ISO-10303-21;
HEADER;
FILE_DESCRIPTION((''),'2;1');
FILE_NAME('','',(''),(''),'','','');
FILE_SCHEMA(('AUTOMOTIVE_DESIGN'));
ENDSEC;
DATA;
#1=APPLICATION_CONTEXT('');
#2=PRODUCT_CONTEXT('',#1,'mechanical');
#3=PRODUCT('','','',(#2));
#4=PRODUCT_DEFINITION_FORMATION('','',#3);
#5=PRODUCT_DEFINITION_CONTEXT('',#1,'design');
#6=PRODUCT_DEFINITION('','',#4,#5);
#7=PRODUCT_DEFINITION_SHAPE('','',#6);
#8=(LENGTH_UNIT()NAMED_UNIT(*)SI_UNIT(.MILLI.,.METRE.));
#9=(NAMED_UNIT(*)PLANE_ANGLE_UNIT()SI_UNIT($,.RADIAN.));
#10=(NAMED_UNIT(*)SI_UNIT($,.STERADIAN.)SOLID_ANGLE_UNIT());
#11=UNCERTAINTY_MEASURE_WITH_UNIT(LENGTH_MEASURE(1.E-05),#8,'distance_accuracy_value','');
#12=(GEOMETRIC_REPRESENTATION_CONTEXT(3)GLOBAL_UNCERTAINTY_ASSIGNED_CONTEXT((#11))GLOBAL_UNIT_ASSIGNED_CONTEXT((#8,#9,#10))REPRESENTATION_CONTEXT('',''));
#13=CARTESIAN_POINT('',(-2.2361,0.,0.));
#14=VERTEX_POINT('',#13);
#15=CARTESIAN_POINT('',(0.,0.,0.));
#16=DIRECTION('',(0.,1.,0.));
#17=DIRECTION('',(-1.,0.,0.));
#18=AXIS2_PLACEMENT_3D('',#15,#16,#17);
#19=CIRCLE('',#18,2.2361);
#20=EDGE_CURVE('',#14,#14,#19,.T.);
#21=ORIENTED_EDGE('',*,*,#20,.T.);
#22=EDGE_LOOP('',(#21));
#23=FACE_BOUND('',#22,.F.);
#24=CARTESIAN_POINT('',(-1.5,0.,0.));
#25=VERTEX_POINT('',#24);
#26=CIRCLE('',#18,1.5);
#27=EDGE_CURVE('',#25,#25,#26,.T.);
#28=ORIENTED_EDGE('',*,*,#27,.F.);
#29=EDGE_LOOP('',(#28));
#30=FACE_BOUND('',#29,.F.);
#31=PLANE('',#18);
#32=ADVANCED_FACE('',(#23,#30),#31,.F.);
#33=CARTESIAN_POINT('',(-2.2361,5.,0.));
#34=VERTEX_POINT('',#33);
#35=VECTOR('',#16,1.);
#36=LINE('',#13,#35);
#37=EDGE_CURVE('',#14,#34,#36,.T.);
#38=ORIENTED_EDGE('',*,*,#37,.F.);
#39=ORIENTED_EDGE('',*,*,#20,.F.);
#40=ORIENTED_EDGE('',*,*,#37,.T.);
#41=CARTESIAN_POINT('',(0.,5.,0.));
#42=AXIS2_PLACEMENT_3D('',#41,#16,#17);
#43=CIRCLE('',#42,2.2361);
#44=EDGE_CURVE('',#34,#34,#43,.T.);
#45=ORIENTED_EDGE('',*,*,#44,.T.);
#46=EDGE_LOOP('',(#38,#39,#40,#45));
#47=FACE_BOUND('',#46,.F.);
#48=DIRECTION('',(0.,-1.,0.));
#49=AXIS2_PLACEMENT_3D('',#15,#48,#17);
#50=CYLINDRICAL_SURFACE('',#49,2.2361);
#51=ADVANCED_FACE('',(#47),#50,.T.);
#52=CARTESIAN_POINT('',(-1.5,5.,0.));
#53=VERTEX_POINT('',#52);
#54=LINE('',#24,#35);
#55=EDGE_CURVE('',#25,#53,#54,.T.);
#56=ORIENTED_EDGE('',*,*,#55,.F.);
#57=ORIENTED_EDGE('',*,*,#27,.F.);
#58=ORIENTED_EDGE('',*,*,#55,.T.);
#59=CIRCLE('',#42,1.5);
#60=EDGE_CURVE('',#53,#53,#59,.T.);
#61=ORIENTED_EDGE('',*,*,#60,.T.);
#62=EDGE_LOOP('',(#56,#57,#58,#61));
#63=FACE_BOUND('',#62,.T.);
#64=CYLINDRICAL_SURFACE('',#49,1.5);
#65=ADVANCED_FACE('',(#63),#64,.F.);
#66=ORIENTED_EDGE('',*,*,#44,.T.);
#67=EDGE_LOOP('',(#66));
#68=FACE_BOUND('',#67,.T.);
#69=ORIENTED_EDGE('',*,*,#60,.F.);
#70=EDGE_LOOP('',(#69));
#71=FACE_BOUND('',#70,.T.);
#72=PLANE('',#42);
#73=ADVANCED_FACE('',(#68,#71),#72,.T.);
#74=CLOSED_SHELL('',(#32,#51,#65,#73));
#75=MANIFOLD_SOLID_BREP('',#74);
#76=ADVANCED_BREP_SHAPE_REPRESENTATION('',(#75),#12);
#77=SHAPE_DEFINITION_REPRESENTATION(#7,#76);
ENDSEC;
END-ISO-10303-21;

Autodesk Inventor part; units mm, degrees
ref_plane "YZ Plane" through (0, 0, 0) normal (1, 0, 0) x (0, 1, 0)
ref_plane "XZ Plane" through (0, 0, 0) normal (0, 1, 0) x (-1, 0, 0)
ref_plane "XY Plane" through (0, 0, 0) normal (0, 0, 1) x (1, 0, 0)
sketch "Sketch1" plane through (0, 0, 0) normal (0, 1, 0) x (-1, 0, 0)
  circle A0 centre (0, 0) radius 1.5
  circle A1 centre (0, 0) radius 2.2361
  dimension "d0" = 3
  dimension "d1" = 0.7361
extrude "Extrusion1" add sketch "Sketch1" along normal blind 5
properties part number "M3 Standoffs"
